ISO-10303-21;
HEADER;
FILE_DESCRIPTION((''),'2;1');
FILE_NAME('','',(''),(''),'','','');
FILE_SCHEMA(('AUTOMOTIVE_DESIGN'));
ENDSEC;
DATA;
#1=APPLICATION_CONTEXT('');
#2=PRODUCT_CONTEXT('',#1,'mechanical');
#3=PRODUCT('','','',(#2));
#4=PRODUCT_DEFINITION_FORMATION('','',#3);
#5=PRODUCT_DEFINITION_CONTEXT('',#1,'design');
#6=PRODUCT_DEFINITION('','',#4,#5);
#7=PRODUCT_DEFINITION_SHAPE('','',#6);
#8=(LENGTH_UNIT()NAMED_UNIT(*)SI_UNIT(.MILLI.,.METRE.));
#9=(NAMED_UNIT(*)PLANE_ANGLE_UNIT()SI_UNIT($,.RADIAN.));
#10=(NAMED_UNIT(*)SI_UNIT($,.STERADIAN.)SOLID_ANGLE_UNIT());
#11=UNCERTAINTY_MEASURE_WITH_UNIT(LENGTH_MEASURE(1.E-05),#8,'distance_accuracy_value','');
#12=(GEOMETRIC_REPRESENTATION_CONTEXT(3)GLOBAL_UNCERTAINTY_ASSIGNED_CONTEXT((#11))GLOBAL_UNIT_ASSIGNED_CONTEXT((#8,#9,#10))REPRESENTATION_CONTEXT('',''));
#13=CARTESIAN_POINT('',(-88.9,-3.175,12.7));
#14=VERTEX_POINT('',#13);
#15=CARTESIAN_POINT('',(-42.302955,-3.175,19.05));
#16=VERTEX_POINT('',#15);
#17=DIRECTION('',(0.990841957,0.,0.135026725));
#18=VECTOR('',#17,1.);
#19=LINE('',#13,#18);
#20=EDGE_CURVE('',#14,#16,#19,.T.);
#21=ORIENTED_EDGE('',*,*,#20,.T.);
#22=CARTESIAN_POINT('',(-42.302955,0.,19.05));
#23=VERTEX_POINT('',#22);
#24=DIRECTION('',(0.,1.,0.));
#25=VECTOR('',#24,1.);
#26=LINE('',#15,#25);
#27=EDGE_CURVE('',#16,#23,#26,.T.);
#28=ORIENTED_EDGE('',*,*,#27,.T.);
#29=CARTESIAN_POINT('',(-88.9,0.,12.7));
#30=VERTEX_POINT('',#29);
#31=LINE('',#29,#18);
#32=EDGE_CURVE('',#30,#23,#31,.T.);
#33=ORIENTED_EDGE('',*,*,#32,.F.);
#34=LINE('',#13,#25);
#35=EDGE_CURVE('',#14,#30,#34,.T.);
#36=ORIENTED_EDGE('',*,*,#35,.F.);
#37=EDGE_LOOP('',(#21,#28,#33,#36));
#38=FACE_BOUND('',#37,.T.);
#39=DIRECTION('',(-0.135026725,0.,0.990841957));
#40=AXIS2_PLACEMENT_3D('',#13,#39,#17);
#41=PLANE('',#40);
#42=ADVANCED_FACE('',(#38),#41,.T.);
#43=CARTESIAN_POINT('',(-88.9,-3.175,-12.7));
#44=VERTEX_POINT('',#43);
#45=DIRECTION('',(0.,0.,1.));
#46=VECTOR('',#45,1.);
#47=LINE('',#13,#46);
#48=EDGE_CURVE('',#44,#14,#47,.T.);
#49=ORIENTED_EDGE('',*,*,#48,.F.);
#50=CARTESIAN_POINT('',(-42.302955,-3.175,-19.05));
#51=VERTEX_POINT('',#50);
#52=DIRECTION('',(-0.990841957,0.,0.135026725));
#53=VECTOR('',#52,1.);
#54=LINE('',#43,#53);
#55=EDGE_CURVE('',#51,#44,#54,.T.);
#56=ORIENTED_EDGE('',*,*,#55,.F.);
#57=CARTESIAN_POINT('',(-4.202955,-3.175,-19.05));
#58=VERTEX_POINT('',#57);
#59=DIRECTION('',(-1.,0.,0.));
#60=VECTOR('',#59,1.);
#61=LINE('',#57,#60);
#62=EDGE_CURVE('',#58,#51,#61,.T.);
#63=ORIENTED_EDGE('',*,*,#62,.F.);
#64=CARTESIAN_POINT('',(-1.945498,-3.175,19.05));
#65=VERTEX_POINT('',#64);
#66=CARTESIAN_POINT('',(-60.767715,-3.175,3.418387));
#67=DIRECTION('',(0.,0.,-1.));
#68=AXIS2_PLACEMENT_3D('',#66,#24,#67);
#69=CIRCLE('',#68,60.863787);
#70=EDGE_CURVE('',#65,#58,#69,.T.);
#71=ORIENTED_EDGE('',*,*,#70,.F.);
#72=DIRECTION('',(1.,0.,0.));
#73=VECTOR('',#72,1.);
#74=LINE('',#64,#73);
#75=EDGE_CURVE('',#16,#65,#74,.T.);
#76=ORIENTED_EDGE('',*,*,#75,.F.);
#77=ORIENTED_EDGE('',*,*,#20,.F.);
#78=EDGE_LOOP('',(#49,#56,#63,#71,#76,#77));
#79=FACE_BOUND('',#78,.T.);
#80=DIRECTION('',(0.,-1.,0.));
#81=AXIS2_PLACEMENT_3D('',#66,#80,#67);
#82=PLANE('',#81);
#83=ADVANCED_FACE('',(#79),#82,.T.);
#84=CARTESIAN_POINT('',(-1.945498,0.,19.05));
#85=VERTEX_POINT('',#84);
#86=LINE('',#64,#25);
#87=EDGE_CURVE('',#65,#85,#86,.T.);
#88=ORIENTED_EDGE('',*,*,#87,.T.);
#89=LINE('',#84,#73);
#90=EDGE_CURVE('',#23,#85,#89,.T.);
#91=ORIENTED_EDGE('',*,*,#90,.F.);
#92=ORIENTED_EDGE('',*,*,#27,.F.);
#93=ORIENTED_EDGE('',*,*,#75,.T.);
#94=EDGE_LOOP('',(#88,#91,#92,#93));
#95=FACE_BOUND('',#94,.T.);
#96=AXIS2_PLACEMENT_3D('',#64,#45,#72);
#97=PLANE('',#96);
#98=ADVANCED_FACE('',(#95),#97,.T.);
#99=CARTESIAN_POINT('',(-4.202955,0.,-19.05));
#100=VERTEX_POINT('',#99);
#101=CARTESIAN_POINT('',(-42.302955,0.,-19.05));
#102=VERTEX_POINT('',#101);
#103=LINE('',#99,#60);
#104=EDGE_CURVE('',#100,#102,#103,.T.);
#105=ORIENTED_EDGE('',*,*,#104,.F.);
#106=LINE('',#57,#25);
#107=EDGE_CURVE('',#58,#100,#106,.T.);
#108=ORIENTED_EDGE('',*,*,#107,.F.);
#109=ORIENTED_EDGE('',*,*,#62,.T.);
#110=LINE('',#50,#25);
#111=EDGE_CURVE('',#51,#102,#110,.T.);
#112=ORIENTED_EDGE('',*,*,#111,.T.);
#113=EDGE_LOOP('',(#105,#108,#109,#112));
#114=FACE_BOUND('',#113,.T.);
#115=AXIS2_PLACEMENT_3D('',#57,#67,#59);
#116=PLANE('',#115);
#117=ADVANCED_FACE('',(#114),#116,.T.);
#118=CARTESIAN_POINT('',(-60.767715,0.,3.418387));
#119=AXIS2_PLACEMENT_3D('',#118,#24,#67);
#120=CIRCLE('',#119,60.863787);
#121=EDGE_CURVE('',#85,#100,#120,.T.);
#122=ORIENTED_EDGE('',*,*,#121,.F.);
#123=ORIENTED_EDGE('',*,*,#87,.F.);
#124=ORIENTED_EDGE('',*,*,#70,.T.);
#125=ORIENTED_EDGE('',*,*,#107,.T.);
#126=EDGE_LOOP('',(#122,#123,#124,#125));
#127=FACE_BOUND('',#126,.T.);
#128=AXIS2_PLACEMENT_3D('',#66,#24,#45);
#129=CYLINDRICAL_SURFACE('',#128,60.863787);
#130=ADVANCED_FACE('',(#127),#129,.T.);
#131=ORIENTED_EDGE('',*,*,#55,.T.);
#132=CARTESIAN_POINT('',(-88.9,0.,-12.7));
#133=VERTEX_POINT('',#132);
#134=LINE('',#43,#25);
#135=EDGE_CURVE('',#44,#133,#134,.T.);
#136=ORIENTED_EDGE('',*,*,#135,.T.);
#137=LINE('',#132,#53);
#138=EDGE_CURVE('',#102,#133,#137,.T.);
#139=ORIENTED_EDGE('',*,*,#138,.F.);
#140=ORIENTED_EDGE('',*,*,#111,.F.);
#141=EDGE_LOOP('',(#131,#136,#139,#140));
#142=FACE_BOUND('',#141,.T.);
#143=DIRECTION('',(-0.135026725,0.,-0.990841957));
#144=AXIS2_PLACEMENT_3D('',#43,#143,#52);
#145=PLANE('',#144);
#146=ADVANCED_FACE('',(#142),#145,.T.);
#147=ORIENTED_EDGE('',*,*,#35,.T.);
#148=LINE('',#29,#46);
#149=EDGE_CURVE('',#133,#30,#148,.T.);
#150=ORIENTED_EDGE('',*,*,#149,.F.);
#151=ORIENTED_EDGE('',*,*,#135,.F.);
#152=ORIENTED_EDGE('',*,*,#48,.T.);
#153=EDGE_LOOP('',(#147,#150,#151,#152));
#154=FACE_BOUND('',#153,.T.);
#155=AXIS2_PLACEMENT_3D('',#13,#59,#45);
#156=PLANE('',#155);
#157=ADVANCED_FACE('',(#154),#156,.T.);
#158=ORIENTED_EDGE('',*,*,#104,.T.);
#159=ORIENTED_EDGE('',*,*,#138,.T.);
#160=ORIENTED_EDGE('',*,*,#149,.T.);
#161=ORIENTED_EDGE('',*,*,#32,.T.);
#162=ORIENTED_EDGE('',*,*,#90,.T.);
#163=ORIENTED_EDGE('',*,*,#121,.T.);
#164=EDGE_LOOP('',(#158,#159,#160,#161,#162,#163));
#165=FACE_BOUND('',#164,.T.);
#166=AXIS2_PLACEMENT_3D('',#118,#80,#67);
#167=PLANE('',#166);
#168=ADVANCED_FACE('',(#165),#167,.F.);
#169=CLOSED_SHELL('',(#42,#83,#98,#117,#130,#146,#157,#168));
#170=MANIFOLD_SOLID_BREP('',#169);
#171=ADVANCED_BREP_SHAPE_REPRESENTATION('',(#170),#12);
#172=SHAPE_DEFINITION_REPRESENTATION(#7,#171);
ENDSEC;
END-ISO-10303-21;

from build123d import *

# Parameters (mm, degrees)
BOSS_EXTRUDE1_DEPTH = 3.175


with BuildPart() as part:
    # Sketch1 → Boss-Extrude1 (new body)
    with BuildSketch(Plane(origin=(0, 0, 0), x_dir=(1, 0, 0), z_dir=(0, 1, 0))):
        with BuildLine():
            Line((-4.202954503, 19.05), (-42.302954503, 19.05))
            Line((-42.302954503, 19.05), (-88.9, 12.7))
            Line((-88.9, 12.7), (-88.9, -12.7))
            Line((-88.9, -12.7), (-42.302954503, -19.05))
            Line((-42.302954503, -19.05), (-1.945497784, -19.05))
            ThreePointArc((-1.945497784, -19.05), (-0.010483672, 0.181529292), (-4.202954503, 19.05))
        make_face()
    extrude(amount=-BOSS_EXTRUDE1_DEPTH)


solid = part.part
